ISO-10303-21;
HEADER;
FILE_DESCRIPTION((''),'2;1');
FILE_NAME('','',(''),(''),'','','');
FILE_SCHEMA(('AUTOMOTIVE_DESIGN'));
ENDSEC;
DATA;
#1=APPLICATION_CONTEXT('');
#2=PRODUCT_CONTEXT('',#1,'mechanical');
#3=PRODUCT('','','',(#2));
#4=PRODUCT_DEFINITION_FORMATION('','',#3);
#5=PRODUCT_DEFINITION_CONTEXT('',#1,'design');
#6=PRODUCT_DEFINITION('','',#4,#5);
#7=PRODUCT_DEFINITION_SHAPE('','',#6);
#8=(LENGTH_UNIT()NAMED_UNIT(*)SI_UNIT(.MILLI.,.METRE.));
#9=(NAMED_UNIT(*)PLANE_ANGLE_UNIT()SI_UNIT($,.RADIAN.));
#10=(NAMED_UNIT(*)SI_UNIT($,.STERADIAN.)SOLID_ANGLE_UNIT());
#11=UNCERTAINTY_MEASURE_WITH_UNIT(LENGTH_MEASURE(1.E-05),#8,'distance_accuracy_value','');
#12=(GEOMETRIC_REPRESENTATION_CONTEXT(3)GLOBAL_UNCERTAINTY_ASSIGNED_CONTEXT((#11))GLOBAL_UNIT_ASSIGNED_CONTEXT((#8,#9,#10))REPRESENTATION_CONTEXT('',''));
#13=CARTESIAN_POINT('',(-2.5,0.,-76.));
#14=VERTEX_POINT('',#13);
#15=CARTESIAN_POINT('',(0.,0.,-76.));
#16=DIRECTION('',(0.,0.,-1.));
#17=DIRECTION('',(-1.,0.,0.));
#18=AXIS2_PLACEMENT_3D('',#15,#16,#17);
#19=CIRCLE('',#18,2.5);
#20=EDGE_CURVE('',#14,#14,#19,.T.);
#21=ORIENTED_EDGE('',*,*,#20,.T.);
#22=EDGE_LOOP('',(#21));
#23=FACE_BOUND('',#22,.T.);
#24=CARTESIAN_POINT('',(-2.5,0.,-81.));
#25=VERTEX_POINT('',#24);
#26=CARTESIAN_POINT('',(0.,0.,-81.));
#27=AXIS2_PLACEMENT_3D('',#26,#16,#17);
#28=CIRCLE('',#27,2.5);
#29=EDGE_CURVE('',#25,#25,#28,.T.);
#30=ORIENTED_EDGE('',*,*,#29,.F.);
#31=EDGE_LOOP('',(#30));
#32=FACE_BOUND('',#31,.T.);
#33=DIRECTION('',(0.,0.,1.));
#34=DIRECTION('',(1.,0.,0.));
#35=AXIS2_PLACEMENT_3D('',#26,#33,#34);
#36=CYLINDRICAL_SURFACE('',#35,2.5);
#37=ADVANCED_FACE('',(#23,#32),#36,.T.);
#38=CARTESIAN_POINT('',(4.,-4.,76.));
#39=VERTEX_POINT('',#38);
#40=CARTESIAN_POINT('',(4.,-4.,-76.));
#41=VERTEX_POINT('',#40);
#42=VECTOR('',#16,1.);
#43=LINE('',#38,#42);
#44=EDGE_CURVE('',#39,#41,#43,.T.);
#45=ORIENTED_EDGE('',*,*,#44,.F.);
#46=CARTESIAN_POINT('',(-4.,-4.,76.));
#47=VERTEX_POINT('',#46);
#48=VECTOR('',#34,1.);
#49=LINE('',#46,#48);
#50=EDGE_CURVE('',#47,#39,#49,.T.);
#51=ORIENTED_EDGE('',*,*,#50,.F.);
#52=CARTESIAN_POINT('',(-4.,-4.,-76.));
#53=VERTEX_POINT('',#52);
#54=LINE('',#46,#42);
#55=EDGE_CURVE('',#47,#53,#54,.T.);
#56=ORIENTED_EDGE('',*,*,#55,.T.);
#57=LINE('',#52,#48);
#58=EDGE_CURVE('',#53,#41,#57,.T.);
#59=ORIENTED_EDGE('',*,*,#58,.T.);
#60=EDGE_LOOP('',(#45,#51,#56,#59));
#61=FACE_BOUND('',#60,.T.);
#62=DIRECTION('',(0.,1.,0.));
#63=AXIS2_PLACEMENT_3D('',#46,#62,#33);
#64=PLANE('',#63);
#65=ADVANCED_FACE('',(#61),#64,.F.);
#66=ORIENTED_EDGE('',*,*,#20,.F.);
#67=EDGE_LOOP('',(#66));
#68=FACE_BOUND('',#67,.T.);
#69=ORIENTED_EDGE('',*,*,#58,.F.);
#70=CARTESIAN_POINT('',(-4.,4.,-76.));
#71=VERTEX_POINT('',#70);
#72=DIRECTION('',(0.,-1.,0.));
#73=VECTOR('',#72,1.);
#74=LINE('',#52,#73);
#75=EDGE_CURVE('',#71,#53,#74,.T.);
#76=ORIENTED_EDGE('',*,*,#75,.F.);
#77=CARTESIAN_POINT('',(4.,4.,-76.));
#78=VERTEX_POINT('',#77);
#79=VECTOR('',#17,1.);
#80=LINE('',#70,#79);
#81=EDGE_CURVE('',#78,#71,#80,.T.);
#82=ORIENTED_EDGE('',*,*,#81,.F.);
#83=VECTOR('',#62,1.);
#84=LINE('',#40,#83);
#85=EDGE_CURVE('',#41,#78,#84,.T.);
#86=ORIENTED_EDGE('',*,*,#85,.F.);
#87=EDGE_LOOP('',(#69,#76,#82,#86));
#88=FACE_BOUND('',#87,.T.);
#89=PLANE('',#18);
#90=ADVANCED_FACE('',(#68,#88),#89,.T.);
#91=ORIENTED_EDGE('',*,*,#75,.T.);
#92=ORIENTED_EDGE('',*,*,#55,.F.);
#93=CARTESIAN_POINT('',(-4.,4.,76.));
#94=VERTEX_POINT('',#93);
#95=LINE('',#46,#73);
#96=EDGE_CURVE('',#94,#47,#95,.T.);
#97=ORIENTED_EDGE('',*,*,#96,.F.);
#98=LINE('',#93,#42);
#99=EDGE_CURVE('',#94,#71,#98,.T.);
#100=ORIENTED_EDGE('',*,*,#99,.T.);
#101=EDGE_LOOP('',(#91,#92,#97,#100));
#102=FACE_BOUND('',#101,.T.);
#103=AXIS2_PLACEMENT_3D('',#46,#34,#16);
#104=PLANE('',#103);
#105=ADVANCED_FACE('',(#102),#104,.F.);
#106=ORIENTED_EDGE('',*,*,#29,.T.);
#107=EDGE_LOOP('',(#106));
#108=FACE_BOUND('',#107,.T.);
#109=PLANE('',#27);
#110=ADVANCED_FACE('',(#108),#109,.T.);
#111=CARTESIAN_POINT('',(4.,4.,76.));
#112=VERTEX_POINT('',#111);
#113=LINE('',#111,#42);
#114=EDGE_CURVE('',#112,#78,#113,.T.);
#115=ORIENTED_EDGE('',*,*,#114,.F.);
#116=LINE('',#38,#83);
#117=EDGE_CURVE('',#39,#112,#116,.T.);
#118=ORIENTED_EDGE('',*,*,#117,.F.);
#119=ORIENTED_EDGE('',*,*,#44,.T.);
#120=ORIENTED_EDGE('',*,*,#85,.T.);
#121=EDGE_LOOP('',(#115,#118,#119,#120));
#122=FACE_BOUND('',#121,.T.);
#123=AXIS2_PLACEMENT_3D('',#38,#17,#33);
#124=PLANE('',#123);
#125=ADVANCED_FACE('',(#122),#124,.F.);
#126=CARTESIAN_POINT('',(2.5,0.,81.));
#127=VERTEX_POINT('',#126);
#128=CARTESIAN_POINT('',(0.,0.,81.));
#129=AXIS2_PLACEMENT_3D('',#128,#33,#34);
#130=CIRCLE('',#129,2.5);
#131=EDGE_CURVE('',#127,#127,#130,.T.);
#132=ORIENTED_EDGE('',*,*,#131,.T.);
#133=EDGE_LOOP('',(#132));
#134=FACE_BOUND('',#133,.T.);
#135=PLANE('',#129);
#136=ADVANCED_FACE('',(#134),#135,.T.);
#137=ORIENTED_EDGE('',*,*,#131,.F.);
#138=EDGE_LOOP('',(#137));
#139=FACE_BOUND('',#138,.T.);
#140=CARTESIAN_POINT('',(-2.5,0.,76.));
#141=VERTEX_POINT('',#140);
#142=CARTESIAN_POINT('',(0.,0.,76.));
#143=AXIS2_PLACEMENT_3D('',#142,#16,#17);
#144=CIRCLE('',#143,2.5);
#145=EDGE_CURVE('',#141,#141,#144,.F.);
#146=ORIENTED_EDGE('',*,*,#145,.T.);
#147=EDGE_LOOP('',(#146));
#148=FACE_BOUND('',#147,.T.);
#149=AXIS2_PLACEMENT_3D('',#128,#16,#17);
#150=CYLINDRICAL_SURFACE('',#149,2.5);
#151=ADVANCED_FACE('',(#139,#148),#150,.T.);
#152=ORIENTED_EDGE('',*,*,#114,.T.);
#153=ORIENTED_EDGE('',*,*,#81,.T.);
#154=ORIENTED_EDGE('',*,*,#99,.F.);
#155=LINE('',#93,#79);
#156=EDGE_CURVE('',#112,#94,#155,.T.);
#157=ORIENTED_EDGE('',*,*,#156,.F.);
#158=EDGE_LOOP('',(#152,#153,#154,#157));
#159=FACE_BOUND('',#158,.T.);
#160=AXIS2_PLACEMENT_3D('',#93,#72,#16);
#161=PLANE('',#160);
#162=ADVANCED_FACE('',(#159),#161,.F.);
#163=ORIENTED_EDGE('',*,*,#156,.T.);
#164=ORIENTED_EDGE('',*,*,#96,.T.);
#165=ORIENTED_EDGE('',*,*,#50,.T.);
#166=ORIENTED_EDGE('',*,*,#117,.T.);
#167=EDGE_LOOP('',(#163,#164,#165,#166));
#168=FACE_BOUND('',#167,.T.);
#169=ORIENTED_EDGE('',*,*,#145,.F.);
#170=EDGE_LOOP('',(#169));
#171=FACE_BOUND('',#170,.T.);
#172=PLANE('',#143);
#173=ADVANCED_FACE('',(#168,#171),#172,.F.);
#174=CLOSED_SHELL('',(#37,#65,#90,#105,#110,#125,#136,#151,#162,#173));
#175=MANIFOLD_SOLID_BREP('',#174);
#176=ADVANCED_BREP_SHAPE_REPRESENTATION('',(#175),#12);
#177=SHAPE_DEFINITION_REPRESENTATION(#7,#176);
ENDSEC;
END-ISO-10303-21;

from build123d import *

# Parameters (mm, degrees)
CROQUIS1_W              = 8
CROQUIS1_H              = 8
SALIENTE_EXTRUIR1_DEPTH = 76
CROQUIS2_R              = 2.5
SALIENTE_EXTRUIR2_DEPTH = 5
SALIENTE_EXTRUIR3_START = 5
CROQUIS3_R              = 2.5
SALIENTE_EXTRUIR3_DEPTH = 5


with BuildPart() as part:
    # Croquis1 → Saliente-Extruir1 (new, symmetric)
    with BuildSketch(Plane.XY):
        Rectangle(CROQUIS1_W, CROQUIS1_H)
    extrude(amount=SALIENTE_EXTRUIR1_DEPTH, both=True)

    # Croquis2 → Saliente-Extruir2 (add)
    with BuildSketch(Plane.XY.offset(76)):
        with Locations(Location((0, 0, 0), (0, 0, 180))):
            Circle(CROQUIS2_R)
    extrude(amount=SALIENTE_EXTRUIR2_DEPTH)

    # Croquis3 → Saliente-Extruir3 (add)
    with BuildSketch(Plane(origin=(0, 0, -76), x_dir=(-1, 0, 0), z_dir=(0, 0, -1)).offset(SALIENTE_EXTRUIR3_START)):
        Circle(CROQUIS3_R)
    extrude(amount=-SALIENTE_EXTRUIR3_DEPTH)


solid = part.part
